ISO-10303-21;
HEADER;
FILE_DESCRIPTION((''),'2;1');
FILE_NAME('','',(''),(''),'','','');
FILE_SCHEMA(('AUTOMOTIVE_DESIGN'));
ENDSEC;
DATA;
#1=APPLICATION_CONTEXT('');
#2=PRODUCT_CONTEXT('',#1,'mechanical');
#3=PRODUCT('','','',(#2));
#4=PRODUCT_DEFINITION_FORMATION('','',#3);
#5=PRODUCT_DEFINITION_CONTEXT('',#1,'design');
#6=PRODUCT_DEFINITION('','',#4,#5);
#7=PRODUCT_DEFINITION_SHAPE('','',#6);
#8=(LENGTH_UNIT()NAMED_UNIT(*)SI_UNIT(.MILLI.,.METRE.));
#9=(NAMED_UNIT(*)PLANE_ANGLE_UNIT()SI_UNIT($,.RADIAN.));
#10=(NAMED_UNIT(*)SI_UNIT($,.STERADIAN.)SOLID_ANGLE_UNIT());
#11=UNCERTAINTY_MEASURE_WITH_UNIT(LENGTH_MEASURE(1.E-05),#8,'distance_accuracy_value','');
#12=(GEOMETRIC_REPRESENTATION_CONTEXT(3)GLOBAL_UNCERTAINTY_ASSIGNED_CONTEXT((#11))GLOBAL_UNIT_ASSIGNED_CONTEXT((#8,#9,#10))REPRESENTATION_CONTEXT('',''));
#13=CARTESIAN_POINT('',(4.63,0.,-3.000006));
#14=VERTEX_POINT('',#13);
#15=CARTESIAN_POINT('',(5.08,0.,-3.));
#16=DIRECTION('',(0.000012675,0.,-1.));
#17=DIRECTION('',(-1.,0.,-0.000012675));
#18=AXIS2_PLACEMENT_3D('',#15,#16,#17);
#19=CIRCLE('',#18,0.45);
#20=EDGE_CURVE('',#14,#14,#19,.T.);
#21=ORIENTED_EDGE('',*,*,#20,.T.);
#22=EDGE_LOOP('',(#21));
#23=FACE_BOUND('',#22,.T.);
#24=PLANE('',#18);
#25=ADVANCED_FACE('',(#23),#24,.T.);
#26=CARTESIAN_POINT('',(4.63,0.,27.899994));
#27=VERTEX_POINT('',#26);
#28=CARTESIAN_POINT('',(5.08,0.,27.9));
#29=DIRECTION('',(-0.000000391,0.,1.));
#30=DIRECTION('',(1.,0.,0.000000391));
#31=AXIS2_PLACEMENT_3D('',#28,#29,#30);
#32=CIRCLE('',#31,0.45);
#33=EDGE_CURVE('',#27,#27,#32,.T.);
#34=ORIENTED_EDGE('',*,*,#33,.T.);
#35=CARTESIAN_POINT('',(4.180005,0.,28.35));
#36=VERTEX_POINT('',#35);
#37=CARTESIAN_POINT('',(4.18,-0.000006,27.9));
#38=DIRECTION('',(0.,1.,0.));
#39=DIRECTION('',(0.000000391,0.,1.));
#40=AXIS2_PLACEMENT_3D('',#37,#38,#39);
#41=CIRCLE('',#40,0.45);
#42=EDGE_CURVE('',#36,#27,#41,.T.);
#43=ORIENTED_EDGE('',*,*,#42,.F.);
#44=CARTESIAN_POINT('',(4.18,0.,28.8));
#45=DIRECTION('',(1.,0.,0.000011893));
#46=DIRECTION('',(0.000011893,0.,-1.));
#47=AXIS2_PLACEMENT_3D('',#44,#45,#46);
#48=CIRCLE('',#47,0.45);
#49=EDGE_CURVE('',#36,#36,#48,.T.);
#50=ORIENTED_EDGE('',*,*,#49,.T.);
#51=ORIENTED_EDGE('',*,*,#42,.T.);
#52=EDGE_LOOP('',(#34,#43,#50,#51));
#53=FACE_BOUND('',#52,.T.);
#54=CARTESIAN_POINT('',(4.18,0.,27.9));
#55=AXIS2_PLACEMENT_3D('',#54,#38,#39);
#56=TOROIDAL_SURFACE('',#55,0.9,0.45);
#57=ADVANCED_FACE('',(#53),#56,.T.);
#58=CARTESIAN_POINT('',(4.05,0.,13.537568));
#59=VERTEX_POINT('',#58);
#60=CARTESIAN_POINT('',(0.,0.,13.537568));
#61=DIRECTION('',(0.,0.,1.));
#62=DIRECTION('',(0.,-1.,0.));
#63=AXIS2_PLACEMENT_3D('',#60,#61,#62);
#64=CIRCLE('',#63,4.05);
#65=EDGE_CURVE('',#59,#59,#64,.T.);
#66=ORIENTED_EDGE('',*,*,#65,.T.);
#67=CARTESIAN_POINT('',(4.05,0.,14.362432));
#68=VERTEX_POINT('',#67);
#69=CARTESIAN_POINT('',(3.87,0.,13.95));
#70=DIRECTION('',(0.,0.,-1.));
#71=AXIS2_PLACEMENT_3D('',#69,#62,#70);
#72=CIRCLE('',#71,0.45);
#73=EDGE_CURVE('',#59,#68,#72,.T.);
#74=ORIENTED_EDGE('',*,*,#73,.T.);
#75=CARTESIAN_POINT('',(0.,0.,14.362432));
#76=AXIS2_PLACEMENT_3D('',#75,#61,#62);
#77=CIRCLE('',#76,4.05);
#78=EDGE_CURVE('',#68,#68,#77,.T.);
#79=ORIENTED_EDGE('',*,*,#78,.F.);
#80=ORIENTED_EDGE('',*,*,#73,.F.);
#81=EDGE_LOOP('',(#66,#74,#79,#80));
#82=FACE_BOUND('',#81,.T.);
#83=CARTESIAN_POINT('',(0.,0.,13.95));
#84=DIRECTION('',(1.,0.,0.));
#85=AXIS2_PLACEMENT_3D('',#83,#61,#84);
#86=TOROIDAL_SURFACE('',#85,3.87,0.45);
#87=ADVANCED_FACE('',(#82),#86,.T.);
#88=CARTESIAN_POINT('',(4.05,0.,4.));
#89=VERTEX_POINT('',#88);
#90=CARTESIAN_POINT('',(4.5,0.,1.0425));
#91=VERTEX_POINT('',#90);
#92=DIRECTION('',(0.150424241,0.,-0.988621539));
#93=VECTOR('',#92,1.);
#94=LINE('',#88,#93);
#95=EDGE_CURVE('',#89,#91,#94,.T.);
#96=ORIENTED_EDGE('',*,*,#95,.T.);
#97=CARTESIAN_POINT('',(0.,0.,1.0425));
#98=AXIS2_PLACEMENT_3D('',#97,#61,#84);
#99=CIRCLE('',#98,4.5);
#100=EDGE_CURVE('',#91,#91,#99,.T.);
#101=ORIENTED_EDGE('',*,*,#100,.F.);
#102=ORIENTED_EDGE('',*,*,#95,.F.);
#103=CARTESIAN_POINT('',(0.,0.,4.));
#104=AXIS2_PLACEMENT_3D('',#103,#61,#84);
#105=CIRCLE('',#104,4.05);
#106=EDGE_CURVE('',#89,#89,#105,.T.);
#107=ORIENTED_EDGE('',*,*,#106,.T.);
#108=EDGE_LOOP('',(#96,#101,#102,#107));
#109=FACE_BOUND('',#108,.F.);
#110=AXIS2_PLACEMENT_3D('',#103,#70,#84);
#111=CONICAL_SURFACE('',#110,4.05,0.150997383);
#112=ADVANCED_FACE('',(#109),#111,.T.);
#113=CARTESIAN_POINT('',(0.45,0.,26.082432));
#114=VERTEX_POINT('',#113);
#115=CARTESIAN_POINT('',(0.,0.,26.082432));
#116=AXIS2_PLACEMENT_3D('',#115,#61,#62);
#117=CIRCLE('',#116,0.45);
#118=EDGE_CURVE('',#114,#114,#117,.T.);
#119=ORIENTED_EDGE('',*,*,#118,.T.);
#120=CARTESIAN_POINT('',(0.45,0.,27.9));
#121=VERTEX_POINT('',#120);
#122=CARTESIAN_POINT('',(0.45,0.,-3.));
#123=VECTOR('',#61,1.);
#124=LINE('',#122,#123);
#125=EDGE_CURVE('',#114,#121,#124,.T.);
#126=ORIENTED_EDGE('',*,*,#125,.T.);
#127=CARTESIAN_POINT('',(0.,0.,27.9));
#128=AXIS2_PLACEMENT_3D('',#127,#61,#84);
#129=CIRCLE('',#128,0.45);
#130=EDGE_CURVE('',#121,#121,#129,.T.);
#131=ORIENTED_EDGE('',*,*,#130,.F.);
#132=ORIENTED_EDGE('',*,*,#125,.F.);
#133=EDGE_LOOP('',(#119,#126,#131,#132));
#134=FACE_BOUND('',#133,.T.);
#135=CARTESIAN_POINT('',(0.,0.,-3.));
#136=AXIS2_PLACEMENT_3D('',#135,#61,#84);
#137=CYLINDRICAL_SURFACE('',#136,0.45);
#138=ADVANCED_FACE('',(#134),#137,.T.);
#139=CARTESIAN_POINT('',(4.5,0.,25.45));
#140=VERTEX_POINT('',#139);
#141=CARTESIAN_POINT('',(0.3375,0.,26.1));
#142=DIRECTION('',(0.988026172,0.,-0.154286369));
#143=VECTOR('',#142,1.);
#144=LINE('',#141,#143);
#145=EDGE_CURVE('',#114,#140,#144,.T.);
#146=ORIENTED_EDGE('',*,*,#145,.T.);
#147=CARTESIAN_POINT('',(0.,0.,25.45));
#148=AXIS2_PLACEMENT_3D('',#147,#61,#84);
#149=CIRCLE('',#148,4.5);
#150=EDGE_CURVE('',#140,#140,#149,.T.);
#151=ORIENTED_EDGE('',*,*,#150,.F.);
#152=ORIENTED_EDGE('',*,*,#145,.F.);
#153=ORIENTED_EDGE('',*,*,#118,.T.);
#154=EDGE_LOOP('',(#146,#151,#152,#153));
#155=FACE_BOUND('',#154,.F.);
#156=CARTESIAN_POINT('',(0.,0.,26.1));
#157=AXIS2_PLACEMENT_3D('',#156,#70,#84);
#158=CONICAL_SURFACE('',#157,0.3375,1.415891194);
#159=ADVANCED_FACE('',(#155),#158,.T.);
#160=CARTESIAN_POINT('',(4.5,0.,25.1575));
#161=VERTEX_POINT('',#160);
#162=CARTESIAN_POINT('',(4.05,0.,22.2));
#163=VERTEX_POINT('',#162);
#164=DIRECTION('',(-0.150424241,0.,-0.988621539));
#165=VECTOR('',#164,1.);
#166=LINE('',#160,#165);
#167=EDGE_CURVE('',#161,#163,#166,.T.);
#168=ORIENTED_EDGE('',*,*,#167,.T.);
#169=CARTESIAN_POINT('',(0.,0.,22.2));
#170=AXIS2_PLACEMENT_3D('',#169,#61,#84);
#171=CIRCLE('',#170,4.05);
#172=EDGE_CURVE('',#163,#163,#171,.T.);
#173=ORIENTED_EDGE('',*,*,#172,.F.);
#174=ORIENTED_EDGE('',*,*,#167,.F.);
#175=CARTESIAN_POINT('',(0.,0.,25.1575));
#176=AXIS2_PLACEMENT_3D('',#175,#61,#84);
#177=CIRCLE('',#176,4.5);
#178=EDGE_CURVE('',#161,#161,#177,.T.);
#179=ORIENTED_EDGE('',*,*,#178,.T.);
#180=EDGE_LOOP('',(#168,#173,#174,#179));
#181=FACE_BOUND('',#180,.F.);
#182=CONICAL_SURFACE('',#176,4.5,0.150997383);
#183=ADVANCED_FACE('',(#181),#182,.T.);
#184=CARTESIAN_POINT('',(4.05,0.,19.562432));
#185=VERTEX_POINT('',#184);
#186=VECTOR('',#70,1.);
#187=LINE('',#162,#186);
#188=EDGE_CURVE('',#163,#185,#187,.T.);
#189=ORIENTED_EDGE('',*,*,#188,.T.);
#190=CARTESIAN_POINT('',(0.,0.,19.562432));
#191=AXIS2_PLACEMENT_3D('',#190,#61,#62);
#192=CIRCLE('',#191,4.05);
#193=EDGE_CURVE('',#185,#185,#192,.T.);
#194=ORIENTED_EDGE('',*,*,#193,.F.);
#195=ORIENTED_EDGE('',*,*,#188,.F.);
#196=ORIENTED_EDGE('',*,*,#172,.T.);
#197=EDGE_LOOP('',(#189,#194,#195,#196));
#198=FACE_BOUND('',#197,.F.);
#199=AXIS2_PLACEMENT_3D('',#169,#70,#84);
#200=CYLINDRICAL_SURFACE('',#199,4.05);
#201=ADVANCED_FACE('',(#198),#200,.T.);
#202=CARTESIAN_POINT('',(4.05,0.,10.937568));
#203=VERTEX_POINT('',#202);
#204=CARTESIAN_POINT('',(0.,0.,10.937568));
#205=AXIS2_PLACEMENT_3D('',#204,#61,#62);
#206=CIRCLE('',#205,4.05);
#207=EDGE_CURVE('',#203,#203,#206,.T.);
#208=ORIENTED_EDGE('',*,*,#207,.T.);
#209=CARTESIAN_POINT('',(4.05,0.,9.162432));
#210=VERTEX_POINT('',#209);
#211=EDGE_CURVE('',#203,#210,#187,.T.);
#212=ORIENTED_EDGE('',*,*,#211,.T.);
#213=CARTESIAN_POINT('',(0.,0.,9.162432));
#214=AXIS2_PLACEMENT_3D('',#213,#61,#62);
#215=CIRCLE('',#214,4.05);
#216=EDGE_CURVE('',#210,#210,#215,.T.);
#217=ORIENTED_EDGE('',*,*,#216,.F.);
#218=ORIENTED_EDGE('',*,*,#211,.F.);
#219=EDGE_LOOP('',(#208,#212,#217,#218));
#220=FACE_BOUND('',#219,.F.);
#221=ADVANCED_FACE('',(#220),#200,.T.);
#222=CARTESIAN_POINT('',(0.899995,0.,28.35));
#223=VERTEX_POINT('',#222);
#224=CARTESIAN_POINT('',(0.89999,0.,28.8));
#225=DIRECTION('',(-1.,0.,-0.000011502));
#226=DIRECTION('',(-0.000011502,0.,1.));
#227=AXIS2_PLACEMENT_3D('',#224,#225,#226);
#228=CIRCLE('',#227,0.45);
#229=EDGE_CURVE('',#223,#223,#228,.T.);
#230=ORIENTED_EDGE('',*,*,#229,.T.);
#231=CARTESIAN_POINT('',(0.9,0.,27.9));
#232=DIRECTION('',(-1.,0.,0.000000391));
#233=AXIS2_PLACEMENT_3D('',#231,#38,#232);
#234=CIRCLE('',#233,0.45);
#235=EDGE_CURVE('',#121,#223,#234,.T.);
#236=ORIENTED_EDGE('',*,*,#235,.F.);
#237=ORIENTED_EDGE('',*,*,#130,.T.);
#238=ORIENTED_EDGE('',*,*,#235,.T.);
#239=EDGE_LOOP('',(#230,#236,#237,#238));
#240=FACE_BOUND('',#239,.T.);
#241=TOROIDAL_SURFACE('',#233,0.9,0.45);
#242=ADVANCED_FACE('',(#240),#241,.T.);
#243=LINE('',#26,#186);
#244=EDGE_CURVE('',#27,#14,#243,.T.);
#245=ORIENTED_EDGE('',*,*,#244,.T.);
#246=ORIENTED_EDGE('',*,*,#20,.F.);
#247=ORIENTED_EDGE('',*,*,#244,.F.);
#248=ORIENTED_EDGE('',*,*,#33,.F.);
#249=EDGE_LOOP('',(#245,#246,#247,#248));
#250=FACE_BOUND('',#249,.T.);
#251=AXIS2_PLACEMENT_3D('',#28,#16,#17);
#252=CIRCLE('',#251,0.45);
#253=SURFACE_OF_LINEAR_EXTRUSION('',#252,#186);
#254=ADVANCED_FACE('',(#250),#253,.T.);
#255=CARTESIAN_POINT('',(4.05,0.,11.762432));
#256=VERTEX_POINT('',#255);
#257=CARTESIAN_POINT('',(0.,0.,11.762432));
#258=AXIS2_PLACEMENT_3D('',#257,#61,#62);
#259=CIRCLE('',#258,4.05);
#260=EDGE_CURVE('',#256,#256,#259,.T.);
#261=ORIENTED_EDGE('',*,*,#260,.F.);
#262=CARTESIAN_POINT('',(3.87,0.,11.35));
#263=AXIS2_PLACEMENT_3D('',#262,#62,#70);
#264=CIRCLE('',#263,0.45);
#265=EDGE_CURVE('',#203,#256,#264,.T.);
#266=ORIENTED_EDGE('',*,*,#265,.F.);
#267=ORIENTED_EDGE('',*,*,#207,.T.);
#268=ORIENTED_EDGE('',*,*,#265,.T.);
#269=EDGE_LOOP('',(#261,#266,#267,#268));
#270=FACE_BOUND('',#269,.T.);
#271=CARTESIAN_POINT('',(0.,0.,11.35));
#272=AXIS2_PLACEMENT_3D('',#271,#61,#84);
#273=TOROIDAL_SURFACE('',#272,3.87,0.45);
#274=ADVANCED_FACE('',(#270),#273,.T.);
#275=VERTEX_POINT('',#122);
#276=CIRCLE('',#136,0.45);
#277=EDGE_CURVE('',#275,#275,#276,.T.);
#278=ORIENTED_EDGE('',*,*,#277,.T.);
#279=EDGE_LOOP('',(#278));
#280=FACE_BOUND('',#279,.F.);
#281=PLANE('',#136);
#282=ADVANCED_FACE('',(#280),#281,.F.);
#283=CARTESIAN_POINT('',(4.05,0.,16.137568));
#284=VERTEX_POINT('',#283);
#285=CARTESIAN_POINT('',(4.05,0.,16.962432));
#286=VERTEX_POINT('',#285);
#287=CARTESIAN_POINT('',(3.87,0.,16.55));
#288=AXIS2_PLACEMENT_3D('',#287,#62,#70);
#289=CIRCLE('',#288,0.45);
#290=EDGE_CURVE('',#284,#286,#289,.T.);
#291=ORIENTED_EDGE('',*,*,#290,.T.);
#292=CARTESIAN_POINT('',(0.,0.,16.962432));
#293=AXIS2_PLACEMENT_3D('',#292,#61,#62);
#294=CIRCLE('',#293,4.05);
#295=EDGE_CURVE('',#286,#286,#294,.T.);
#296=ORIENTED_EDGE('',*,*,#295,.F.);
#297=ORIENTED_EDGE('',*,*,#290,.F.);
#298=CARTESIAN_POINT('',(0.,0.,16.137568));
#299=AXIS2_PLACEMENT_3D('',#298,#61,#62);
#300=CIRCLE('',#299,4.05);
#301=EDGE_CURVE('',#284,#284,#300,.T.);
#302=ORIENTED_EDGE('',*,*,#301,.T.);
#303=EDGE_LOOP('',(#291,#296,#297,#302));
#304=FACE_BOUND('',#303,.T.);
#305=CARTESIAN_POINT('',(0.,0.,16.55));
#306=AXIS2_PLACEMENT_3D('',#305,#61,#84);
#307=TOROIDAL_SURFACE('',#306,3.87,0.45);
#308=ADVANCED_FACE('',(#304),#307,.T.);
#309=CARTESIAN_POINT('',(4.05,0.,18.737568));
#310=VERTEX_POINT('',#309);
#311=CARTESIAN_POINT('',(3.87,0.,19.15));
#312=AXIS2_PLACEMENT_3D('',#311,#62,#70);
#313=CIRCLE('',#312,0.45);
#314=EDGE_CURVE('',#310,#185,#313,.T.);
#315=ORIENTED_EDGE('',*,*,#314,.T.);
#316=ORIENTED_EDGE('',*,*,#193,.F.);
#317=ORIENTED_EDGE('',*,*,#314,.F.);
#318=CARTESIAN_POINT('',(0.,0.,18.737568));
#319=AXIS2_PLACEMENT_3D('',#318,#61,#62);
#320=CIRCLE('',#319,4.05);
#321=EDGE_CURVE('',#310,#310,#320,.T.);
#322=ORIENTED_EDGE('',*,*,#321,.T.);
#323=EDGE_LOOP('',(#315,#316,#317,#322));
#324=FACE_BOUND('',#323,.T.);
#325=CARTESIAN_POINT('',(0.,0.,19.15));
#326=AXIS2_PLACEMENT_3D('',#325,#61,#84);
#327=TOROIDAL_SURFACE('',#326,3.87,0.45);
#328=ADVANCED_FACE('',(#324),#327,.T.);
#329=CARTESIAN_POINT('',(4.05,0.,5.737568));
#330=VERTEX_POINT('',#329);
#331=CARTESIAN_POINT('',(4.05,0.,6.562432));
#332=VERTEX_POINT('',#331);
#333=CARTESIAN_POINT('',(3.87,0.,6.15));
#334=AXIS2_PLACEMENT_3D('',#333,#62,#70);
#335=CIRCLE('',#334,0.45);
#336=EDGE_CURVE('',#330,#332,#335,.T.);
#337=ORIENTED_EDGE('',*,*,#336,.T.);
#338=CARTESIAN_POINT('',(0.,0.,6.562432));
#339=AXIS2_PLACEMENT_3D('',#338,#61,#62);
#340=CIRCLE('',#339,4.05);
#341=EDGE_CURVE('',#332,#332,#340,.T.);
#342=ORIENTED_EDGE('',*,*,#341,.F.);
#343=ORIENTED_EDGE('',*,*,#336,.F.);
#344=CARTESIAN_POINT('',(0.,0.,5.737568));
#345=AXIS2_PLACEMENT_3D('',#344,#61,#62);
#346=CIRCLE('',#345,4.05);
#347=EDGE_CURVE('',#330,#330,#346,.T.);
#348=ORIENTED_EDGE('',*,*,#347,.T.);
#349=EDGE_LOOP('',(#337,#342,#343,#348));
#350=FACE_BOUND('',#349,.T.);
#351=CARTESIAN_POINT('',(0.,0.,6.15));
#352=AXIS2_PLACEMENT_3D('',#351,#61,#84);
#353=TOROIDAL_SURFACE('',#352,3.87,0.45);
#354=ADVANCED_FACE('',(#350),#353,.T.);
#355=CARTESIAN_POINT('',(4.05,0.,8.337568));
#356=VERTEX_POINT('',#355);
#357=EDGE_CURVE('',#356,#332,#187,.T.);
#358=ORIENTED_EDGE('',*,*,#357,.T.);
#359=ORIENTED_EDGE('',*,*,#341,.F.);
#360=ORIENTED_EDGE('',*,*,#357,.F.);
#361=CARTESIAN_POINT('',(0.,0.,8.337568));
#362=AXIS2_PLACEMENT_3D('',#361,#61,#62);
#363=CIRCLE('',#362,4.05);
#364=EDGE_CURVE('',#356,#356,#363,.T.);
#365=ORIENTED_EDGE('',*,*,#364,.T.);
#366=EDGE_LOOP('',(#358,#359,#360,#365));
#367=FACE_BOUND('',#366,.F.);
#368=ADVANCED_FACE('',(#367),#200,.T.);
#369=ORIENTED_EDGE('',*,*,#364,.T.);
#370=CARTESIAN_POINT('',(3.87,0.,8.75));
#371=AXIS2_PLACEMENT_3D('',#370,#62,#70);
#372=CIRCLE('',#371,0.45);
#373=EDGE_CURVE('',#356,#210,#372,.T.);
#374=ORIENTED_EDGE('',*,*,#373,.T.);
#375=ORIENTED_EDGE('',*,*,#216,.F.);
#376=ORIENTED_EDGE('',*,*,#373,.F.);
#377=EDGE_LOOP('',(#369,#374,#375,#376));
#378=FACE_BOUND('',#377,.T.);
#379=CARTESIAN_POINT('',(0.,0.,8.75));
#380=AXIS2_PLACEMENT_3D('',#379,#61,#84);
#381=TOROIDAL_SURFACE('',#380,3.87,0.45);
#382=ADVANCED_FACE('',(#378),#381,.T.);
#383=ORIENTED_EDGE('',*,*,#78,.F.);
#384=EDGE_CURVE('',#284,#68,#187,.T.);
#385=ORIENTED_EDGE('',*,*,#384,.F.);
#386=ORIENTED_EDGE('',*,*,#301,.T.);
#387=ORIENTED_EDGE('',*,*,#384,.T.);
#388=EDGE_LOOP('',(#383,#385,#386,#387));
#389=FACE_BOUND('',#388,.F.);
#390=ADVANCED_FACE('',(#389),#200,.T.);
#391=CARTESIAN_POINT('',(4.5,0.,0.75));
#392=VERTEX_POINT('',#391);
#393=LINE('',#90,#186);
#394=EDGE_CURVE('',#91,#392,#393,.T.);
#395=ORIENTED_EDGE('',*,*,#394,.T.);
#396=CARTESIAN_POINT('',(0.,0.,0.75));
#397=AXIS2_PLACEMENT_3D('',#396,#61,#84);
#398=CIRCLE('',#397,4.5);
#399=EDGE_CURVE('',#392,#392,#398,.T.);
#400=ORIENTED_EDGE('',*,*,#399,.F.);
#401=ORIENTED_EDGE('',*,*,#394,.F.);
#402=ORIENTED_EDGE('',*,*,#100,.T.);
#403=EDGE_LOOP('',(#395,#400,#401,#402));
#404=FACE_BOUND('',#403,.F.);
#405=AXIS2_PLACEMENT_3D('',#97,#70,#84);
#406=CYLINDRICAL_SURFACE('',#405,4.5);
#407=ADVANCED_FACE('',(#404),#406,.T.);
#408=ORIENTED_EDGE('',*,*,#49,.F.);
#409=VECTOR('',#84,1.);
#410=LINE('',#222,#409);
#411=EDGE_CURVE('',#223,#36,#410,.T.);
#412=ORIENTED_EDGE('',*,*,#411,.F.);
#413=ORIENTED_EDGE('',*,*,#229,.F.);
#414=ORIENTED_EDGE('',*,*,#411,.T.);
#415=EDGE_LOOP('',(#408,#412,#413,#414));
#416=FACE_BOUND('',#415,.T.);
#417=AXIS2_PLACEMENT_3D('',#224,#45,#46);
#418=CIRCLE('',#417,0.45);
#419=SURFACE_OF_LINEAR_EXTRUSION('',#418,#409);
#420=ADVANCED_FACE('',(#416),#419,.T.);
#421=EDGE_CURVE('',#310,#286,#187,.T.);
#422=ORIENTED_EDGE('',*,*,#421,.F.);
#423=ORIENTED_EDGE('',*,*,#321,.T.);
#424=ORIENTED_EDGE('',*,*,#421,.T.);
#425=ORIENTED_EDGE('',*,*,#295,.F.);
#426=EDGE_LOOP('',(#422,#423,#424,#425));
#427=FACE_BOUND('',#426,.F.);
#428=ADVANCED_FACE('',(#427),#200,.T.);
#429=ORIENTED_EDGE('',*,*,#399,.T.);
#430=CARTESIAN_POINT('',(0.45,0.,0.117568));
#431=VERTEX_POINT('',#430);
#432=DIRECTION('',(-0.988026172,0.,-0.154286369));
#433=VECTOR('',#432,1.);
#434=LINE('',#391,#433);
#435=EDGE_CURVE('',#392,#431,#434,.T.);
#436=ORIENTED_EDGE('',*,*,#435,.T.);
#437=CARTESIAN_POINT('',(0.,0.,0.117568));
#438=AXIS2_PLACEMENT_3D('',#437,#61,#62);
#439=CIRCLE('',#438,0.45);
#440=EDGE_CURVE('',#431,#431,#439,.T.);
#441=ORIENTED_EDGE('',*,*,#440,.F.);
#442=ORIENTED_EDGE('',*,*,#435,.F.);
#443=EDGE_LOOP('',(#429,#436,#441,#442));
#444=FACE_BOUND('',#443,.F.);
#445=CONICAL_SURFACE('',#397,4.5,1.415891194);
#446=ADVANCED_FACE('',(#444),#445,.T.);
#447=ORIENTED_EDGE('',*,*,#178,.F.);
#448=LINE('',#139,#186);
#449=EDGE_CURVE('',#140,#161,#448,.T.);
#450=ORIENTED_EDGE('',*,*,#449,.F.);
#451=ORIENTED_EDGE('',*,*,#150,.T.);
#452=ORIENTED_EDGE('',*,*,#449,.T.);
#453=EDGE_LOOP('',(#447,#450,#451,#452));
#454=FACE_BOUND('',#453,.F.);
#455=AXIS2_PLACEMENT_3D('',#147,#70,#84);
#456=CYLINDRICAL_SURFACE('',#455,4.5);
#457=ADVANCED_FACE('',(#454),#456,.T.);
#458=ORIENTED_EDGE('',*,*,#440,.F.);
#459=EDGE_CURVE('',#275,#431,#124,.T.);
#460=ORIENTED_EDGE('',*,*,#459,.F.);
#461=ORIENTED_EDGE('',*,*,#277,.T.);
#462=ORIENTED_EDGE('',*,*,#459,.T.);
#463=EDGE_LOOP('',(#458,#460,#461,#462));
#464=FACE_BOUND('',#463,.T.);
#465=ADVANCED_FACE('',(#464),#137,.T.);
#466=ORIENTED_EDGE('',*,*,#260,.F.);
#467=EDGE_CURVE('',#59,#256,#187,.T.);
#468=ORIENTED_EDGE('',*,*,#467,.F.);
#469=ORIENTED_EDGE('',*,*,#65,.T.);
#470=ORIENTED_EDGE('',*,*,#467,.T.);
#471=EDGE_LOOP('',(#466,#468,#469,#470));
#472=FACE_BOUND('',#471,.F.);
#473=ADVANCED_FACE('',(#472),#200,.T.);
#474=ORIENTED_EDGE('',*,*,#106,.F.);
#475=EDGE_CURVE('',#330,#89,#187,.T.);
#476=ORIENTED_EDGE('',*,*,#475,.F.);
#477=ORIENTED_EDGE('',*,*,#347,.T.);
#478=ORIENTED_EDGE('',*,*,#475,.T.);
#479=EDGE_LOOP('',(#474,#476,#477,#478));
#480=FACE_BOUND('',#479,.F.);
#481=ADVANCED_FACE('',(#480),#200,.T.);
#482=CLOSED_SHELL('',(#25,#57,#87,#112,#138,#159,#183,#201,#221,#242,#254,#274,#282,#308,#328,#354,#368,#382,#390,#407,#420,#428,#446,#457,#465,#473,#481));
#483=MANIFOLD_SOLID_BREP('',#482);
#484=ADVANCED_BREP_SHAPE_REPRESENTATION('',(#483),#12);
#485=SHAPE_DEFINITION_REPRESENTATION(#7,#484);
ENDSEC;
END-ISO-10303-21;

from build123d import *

# Parameters (mm, degrees)
SKETCH_R = 0.45


with BuildPart() as revolution:
    # Sketch002 → Revolution (revolve)
    with BuildSketch(Plane.XZ):
        Polygon((0, 0.1), (0, 26.1), (0.3375, 26.1), (4.5, 25.45), (4.5, 25.1575), (4.05, 22.2), (4.05, 4), (4.5, 1.0425), (4.5, 0.75), (0.3375, 0.1), align=None)
    revolve(axis=Axis((0, 0, 0), (0, 0, 1)))


with BuildPart() as sweep_body:
    # Sweep: sweep along a path in Sketch001
    with BuildLine(Plane.XZ) as sweep_path:
        Line((0, -3), (0, 27.9))
        ThreePointArc((0, 27.9), (0.2636, 28.536392), (0.89999, 28.8))
        Line((0.89999, 28.8), (4.18, 28.8))
        ThreePointArc((4.18, 28.8), (4.816396, 28.536396), (5.08, 27.9))
        Line((5.08, 27.9), (5.08, -3))
    # Sketch → Sweep (sweep)
    with BuildSketch(Plane.XY.offset(-2)):
        Circle(SKETCH_R)
    sweep(path=sweep_path.line)


with BuildPart() as revolution001_mp_cp:
    # Sketch003 → Revolution001 (revolve)
    with BuildSketch(Plane.XZ):
        with BuildLine():
            Line((3.6, 21.3), (3.6, 4))
            Line((3.6, 4), (3.87, 4))
            Line((3.87, 4), (3.87, 5.7))
            ThreePointArc((3.87, 5.7), (4.32, 6.15), (3.87, 6.6))
            Line((3.87, 6.6), (3.87, 8.3))
            ThreePointArc((3.87, 8.3), (4.32, 8.75), (3.87, 9.2))
            Line((3.87, 9.2), (3.87, 10.9))
            ThreePointArc((3.87, 10.9), (4.32, 11.35), (3.87, 11.8))
            Line((3.87, 11.8), (3.87, 13.5))
            ThreePointArc((3.87, 13.5), (4.32, 13.95), (3.87, 14.4))
            Line((3.87, 14.4), (3.87, 16.1))
            ThreePointArc((3.87, 16.1), (4.32, 16.55), (3.87, 17))
            Line((3.87, 17), (3.87, 18.7))
            ThreePointArc((3.87, 18.7), (4.32, 19.15), (3.87, 19.6))
            Line((3.87, 21.3), (3.87, 19.6))
            Line((3.6, 21.3), (3.87, 21.3))
        make_face()
    revolve(axis=Axis((0, 0, 0), (0, 0, 1)))

    # Revolution001_mp_cp: union Revolution, Sweep body
    add(revolution.part)
    add(sweep_body.part)


solid = revolution001_mp_cp.part
